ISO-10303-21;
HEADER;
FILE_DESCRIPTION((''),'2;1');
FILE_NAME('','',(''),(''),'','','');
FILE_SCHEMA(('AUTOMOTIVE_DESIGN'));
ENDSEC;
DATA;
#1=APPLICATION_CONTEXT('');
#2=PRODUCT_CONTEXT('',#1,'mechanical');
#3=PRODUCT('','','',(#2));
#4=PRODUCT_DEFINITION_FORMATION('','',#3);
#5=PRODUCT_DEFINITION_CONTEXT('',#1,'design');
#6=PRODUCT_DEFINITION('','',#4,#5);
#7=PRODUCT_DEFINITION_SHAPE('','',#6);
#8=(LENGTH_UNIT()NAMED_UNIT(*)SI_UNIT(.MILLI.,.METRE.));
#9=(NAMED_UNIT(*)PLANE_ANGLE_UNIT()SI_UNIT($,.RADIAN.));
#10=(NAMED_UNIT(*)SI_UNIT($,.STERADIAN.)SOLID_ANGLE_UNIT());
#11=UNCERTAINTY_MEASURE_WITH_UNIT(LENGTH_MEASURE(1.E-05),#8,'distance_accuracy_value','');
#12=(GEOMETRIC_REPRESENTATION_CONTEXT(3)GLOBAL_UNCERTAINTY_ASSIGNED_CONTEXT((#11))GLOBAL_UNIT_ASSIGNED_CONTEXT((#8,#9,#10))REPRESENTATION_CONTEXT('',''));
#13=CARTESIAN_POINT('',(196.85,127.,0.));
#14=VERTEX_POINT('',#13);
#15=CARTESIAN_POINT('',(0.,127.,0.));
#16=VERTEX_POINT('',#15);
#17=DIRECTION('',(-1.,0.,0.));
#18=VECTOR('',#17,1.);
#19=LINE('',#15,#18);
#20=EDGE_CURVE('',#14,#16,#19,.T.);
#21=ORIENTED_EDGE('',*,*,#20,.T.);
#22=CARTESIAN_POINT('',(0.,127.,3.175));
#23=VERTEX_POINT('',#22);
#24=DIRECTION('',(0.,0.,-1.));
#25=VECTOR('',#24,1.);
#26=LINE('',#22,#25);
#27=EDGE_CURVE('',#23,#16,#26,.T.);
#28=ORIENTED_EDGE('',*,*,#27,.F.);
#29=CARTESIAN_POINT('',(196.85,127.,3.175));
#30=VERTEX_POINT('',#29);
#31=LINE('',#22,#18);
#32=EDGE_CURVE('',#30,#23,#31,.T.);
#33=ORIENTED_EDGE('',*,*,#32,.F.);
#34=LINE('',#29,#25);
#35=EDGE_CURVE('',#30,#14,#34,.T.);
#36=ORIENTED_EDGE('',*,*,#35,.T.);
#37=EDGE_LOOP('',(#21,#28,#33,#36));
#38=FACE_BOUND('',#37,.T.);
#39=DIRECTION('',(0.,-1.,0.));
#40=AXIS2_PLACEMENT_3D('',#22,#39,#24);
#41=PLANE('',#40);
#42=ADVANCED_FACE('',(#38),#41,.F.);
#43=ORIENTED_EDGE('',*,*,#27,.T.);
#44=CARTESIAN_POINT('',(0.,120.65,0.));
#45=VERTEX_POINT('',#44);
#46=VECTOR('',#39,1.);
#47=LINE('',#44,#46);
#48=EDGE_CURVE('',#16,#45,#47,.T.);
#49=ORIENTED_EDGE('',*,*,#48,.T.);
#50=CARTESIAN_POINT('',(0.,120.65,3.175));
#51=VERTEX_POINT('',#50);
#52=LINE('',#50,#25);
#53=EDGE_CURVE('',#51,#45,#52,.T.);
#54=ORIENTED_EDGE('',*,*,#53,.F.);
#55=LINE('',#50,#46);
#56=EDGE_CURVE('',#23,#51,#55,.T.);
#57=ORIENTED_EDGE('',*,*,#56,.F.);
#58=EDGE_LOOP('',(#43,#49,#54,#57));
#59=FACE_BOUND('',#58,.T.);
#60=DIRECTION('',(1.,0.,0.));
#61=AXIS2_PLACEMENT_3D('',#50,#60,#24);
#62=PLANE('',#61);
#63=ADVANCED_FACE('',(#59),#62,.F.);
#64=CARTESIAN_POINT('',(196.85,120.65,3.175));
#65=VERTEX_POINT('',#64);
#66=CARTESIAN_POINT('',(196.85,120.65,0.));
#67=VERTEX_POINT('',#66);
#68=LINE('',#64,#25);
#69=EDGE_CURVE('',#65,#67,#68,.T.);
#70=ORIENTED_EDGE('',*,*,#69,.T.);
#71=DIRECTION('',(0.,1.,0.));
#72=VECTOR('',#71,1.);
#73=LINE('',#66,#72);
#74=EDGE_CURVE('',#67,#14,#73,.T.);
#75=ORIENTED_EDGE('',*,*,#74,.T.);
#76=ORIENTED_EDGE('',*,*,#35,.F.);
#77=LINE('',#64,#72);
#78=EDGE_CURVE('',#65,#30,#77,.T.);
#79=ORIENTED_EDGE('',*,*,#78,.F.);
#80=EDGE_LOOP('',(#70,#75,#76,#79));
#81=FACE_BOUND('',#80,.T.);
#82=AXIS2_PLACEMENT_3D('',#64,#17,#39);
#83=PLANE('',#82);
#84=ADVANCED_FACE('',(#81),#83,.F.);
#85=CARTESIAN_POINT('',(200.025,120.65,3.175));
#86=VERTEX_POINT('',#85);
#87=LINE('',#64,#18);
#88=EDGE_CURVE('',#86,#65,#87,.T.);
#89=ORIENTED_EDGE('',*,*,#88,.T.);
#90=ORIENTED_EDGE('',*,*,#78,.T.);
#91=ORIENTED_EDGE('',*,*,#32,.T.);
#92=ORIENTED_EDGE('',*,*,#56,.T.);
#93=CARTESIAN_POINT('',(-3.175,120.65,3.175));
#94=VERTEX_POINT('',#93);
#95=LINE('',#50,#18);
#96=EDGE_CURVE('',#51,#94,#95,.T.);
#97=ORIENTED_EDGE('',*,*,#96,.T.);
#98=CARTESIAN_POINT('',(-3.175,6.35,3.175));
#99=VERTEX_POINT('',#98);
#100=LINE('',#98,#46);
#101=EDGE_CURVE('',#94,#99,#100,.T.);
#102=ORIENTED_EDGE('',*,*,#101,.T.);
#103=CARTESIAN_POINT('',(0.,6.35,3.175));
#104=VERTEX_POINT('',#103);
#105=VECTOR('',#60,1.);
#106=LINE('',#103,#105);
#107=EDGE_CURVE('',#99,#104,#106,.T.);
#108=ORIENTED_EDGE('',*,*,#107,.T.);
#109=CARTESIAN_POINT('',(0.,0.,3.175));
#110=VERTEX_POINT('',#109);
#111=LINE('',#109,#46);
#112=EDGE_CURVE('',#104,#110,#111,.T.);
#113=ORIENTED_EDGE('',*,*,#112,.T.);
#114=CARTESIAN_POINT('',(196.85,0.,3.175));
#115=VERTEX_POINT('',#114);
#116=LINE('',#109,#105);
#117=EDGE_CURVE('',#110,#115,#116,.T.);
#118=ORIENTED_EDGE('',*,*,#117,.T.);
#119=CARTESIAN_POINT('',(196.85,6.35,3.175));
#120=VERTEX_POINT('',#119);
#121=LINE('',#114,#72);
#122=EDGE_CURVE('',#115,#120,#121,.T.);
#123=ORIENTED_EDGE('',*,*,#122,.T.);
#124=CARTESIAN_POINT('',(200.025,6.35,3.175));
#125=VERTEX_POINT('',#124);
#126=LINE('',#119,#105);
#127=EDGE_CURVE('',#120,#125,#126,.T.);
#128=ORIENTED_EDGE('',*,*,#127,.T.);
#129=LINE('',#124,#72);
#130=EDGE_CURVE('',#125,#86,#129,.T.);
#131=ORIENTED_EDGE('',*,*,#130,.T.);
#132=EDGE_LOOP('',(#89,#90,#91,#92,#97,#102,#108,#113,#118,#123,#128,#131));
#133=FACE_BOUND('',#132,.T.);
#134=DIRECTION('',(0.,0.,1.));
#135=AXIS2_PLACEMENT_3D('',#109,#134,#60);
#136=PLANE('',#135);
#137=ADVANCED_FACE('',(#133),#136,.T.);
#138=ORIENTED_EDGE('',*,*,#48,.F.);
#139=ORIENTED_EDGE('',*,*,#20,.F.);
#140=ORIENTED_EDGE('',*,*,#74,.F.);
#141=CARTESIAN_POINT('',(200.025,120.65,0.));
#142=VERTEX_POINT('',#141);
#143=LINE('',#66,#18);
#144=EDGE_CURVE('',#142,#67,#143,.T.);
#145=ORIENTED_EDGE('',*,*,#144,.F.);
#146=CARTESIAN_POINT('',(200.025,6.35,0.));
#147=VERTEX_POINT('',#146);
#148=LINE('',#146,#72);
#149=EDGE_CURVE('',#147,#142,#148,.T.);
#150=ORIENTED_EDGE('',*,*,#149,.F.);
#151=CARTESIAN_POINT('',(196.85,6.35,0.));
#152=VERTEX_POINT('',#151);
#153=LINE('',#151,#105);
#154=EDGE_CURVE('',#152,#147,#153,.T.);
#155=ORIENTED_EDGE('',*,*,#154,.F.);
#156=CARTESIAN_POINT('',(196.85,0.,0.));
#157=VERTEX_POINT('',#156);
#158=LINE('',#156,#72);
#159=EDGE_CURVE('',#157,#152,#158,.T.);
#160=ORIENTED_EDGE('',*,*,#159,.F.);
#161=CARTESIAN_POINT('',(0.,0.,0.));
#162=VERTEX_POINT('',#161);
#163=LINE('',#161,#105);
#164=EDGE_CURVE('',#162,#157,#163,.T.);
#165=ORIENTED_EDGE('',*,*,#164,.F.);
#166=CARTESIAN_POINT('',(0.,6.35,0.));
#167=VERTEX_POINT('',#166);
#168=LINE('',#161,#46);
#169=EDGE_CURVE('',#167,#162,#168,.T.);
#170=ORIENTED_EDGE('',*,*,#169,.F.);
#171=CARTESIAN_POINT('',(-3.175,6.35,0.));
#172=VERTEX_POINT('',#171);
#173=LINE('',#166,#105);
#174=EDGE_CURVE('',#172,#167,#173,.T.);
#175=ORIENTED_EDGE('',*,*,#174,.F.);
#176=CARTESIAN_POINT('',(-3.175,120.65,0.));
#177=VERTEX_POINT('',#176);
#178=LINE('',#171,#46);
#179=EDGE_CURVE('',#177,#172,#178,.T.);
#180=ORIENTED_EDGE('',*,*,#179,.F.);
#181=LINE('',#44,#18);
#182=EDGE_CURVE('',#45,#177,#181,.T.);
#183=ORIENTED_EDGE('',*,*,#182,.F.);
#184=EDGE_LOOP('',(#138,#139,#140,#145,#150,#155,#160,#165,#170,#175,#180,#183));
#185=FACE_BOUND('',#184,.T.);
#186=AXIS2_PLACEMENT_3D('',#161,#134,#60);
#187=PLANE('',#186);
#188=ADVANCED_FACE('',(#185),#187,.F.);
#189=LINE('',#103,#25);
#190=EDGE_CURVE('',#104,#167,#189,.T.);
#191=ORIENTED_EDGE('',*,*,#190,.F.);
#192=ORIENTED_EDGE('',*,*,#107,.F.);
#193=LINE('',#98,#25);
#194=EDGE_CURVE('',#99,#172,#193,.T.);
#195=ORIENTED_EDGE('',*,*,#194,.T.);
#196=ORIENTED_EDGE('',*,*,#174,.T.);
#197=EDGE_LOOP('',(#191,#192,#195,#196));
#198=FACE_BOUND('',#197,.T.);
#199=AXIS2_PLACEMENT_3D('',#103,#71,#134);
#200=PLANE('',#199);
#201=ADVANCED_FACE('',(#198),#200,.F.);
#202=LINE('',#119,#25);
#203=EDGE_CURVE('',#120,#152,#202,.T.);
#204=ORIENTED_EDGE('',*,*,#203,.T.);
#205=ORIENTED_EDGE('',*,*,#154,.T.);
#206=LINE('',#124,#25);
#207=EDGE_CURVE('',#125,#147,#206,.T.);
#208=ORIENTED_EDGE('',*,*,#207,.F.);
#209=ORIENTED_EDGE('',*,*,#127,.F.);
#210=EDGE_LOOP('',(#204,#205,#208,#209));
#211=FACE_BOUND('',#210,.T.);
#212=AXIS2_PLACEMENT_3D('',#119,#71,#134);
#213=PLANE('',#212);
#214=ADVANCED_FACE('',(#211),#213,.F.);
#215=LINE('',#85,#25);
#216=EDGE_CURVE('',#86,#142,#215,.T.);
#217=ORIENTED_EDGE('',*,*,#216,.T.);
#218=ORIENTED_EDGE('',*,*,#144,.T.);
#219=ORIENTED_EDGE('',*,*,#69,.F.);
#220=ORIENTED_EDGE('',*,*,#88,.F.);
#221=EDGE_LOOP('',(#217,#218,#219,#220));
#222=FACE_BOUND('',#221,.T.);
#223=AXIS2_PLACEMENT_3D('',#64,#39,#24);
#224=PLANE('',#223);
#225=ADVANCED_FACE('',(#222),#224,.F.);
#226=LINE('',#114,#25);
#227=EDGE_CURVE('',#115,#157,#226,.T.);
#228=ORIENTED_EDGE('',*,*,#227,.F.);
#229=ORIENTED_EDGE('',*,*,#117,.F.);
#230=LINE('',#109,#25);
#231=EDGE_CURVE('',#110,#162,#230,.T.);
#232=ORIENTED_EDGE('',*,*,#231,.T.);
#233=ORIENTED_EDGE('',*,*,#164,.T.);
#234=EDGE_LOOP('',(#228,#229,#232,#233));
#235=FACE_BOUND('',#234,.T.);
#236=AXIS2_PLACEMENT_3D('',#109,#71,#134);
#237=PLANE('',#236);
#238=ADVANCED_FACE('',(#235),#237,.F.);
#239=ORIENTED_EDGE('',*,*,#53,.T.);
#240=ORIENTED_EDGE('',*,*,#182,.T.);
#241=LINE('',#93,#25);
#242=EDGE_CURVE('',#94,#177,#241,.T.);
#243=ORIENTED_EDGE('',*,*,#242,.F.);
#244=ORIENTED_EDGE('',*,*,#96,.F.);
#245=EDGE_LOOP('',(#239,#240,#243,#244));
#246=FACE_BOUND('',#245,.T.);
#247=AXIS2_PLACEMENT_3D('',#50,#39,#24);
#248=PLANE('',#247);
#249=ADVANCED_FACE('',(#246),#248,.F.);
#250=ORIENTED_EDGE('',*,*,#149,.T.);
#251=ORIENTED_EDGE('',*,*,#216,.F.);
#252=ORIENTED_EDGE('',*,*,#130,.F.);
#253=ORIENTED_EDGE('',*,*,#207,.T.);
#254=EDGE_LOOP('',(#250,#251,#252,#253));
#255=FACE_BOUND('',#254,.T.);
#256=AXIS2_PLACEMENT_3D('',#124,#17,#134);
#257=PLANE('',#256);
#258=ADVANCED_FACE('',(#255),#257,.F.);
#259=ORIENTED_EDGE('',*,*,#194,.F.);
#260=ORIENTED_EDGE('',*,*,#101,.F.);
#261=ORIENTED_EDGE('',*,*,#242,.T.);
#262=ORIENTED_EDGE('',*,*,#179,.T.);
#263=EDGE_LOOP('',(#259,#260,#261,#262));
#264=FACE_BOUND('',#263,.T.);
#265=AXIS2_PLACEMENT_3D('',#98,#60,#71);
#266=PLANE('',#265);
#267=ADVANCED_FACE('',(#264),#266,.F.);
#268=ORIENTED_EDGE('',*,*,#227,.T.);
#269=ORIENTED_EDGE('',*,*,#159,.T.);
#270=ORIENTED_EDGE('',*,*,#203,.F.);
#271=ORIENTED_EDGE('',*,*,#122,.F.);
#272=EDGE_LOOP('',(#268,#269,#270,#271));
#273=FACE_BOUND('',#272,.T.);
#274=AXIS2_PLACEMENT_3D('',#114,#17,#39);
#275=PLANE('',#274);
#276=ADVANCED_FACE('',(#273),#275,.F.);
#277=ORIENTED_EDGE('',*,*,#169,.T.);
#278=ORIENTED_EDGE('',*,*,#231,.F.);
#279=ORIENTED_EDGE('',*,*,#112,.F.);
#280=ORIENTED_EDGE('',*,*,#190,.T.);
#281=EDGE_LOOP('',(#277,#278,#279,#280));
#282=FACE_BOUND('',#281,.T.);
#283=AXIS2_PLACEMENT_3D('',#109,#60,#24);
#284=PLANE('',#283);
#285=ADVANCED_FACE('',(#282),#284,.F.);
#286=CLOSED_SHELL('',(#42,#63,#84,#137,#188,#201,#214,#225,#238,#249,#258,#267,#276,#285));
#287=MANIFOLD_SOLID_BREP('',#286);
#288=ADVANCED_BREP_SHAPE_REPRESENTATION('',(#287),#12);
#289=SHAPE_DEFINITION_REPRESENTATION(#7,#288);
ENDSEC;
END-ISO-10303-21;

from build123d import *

# Parameters (mm, degrees)
BOSS_EXTRUDE1_DEPTH = 3.175


with BuildPart() as part:
    # Sketch2 → Boss-Extrude1 (new body)
    with BuildSketch(Plane.XY):
        Polygon((0, 120.65), (0, 127), (196.85, 127), (196.85, 120.65), (200.025, 120.65), (200.025, 6.35), (196.85, 6.35), (196.85, 0), (0, 0), (0, 6.35), (-3.175, 6.35), (-3.175, 120.65), align=None)
    extrude(amount=BOSS_EXTRUDE1_DEPTH)


solid = part.part
